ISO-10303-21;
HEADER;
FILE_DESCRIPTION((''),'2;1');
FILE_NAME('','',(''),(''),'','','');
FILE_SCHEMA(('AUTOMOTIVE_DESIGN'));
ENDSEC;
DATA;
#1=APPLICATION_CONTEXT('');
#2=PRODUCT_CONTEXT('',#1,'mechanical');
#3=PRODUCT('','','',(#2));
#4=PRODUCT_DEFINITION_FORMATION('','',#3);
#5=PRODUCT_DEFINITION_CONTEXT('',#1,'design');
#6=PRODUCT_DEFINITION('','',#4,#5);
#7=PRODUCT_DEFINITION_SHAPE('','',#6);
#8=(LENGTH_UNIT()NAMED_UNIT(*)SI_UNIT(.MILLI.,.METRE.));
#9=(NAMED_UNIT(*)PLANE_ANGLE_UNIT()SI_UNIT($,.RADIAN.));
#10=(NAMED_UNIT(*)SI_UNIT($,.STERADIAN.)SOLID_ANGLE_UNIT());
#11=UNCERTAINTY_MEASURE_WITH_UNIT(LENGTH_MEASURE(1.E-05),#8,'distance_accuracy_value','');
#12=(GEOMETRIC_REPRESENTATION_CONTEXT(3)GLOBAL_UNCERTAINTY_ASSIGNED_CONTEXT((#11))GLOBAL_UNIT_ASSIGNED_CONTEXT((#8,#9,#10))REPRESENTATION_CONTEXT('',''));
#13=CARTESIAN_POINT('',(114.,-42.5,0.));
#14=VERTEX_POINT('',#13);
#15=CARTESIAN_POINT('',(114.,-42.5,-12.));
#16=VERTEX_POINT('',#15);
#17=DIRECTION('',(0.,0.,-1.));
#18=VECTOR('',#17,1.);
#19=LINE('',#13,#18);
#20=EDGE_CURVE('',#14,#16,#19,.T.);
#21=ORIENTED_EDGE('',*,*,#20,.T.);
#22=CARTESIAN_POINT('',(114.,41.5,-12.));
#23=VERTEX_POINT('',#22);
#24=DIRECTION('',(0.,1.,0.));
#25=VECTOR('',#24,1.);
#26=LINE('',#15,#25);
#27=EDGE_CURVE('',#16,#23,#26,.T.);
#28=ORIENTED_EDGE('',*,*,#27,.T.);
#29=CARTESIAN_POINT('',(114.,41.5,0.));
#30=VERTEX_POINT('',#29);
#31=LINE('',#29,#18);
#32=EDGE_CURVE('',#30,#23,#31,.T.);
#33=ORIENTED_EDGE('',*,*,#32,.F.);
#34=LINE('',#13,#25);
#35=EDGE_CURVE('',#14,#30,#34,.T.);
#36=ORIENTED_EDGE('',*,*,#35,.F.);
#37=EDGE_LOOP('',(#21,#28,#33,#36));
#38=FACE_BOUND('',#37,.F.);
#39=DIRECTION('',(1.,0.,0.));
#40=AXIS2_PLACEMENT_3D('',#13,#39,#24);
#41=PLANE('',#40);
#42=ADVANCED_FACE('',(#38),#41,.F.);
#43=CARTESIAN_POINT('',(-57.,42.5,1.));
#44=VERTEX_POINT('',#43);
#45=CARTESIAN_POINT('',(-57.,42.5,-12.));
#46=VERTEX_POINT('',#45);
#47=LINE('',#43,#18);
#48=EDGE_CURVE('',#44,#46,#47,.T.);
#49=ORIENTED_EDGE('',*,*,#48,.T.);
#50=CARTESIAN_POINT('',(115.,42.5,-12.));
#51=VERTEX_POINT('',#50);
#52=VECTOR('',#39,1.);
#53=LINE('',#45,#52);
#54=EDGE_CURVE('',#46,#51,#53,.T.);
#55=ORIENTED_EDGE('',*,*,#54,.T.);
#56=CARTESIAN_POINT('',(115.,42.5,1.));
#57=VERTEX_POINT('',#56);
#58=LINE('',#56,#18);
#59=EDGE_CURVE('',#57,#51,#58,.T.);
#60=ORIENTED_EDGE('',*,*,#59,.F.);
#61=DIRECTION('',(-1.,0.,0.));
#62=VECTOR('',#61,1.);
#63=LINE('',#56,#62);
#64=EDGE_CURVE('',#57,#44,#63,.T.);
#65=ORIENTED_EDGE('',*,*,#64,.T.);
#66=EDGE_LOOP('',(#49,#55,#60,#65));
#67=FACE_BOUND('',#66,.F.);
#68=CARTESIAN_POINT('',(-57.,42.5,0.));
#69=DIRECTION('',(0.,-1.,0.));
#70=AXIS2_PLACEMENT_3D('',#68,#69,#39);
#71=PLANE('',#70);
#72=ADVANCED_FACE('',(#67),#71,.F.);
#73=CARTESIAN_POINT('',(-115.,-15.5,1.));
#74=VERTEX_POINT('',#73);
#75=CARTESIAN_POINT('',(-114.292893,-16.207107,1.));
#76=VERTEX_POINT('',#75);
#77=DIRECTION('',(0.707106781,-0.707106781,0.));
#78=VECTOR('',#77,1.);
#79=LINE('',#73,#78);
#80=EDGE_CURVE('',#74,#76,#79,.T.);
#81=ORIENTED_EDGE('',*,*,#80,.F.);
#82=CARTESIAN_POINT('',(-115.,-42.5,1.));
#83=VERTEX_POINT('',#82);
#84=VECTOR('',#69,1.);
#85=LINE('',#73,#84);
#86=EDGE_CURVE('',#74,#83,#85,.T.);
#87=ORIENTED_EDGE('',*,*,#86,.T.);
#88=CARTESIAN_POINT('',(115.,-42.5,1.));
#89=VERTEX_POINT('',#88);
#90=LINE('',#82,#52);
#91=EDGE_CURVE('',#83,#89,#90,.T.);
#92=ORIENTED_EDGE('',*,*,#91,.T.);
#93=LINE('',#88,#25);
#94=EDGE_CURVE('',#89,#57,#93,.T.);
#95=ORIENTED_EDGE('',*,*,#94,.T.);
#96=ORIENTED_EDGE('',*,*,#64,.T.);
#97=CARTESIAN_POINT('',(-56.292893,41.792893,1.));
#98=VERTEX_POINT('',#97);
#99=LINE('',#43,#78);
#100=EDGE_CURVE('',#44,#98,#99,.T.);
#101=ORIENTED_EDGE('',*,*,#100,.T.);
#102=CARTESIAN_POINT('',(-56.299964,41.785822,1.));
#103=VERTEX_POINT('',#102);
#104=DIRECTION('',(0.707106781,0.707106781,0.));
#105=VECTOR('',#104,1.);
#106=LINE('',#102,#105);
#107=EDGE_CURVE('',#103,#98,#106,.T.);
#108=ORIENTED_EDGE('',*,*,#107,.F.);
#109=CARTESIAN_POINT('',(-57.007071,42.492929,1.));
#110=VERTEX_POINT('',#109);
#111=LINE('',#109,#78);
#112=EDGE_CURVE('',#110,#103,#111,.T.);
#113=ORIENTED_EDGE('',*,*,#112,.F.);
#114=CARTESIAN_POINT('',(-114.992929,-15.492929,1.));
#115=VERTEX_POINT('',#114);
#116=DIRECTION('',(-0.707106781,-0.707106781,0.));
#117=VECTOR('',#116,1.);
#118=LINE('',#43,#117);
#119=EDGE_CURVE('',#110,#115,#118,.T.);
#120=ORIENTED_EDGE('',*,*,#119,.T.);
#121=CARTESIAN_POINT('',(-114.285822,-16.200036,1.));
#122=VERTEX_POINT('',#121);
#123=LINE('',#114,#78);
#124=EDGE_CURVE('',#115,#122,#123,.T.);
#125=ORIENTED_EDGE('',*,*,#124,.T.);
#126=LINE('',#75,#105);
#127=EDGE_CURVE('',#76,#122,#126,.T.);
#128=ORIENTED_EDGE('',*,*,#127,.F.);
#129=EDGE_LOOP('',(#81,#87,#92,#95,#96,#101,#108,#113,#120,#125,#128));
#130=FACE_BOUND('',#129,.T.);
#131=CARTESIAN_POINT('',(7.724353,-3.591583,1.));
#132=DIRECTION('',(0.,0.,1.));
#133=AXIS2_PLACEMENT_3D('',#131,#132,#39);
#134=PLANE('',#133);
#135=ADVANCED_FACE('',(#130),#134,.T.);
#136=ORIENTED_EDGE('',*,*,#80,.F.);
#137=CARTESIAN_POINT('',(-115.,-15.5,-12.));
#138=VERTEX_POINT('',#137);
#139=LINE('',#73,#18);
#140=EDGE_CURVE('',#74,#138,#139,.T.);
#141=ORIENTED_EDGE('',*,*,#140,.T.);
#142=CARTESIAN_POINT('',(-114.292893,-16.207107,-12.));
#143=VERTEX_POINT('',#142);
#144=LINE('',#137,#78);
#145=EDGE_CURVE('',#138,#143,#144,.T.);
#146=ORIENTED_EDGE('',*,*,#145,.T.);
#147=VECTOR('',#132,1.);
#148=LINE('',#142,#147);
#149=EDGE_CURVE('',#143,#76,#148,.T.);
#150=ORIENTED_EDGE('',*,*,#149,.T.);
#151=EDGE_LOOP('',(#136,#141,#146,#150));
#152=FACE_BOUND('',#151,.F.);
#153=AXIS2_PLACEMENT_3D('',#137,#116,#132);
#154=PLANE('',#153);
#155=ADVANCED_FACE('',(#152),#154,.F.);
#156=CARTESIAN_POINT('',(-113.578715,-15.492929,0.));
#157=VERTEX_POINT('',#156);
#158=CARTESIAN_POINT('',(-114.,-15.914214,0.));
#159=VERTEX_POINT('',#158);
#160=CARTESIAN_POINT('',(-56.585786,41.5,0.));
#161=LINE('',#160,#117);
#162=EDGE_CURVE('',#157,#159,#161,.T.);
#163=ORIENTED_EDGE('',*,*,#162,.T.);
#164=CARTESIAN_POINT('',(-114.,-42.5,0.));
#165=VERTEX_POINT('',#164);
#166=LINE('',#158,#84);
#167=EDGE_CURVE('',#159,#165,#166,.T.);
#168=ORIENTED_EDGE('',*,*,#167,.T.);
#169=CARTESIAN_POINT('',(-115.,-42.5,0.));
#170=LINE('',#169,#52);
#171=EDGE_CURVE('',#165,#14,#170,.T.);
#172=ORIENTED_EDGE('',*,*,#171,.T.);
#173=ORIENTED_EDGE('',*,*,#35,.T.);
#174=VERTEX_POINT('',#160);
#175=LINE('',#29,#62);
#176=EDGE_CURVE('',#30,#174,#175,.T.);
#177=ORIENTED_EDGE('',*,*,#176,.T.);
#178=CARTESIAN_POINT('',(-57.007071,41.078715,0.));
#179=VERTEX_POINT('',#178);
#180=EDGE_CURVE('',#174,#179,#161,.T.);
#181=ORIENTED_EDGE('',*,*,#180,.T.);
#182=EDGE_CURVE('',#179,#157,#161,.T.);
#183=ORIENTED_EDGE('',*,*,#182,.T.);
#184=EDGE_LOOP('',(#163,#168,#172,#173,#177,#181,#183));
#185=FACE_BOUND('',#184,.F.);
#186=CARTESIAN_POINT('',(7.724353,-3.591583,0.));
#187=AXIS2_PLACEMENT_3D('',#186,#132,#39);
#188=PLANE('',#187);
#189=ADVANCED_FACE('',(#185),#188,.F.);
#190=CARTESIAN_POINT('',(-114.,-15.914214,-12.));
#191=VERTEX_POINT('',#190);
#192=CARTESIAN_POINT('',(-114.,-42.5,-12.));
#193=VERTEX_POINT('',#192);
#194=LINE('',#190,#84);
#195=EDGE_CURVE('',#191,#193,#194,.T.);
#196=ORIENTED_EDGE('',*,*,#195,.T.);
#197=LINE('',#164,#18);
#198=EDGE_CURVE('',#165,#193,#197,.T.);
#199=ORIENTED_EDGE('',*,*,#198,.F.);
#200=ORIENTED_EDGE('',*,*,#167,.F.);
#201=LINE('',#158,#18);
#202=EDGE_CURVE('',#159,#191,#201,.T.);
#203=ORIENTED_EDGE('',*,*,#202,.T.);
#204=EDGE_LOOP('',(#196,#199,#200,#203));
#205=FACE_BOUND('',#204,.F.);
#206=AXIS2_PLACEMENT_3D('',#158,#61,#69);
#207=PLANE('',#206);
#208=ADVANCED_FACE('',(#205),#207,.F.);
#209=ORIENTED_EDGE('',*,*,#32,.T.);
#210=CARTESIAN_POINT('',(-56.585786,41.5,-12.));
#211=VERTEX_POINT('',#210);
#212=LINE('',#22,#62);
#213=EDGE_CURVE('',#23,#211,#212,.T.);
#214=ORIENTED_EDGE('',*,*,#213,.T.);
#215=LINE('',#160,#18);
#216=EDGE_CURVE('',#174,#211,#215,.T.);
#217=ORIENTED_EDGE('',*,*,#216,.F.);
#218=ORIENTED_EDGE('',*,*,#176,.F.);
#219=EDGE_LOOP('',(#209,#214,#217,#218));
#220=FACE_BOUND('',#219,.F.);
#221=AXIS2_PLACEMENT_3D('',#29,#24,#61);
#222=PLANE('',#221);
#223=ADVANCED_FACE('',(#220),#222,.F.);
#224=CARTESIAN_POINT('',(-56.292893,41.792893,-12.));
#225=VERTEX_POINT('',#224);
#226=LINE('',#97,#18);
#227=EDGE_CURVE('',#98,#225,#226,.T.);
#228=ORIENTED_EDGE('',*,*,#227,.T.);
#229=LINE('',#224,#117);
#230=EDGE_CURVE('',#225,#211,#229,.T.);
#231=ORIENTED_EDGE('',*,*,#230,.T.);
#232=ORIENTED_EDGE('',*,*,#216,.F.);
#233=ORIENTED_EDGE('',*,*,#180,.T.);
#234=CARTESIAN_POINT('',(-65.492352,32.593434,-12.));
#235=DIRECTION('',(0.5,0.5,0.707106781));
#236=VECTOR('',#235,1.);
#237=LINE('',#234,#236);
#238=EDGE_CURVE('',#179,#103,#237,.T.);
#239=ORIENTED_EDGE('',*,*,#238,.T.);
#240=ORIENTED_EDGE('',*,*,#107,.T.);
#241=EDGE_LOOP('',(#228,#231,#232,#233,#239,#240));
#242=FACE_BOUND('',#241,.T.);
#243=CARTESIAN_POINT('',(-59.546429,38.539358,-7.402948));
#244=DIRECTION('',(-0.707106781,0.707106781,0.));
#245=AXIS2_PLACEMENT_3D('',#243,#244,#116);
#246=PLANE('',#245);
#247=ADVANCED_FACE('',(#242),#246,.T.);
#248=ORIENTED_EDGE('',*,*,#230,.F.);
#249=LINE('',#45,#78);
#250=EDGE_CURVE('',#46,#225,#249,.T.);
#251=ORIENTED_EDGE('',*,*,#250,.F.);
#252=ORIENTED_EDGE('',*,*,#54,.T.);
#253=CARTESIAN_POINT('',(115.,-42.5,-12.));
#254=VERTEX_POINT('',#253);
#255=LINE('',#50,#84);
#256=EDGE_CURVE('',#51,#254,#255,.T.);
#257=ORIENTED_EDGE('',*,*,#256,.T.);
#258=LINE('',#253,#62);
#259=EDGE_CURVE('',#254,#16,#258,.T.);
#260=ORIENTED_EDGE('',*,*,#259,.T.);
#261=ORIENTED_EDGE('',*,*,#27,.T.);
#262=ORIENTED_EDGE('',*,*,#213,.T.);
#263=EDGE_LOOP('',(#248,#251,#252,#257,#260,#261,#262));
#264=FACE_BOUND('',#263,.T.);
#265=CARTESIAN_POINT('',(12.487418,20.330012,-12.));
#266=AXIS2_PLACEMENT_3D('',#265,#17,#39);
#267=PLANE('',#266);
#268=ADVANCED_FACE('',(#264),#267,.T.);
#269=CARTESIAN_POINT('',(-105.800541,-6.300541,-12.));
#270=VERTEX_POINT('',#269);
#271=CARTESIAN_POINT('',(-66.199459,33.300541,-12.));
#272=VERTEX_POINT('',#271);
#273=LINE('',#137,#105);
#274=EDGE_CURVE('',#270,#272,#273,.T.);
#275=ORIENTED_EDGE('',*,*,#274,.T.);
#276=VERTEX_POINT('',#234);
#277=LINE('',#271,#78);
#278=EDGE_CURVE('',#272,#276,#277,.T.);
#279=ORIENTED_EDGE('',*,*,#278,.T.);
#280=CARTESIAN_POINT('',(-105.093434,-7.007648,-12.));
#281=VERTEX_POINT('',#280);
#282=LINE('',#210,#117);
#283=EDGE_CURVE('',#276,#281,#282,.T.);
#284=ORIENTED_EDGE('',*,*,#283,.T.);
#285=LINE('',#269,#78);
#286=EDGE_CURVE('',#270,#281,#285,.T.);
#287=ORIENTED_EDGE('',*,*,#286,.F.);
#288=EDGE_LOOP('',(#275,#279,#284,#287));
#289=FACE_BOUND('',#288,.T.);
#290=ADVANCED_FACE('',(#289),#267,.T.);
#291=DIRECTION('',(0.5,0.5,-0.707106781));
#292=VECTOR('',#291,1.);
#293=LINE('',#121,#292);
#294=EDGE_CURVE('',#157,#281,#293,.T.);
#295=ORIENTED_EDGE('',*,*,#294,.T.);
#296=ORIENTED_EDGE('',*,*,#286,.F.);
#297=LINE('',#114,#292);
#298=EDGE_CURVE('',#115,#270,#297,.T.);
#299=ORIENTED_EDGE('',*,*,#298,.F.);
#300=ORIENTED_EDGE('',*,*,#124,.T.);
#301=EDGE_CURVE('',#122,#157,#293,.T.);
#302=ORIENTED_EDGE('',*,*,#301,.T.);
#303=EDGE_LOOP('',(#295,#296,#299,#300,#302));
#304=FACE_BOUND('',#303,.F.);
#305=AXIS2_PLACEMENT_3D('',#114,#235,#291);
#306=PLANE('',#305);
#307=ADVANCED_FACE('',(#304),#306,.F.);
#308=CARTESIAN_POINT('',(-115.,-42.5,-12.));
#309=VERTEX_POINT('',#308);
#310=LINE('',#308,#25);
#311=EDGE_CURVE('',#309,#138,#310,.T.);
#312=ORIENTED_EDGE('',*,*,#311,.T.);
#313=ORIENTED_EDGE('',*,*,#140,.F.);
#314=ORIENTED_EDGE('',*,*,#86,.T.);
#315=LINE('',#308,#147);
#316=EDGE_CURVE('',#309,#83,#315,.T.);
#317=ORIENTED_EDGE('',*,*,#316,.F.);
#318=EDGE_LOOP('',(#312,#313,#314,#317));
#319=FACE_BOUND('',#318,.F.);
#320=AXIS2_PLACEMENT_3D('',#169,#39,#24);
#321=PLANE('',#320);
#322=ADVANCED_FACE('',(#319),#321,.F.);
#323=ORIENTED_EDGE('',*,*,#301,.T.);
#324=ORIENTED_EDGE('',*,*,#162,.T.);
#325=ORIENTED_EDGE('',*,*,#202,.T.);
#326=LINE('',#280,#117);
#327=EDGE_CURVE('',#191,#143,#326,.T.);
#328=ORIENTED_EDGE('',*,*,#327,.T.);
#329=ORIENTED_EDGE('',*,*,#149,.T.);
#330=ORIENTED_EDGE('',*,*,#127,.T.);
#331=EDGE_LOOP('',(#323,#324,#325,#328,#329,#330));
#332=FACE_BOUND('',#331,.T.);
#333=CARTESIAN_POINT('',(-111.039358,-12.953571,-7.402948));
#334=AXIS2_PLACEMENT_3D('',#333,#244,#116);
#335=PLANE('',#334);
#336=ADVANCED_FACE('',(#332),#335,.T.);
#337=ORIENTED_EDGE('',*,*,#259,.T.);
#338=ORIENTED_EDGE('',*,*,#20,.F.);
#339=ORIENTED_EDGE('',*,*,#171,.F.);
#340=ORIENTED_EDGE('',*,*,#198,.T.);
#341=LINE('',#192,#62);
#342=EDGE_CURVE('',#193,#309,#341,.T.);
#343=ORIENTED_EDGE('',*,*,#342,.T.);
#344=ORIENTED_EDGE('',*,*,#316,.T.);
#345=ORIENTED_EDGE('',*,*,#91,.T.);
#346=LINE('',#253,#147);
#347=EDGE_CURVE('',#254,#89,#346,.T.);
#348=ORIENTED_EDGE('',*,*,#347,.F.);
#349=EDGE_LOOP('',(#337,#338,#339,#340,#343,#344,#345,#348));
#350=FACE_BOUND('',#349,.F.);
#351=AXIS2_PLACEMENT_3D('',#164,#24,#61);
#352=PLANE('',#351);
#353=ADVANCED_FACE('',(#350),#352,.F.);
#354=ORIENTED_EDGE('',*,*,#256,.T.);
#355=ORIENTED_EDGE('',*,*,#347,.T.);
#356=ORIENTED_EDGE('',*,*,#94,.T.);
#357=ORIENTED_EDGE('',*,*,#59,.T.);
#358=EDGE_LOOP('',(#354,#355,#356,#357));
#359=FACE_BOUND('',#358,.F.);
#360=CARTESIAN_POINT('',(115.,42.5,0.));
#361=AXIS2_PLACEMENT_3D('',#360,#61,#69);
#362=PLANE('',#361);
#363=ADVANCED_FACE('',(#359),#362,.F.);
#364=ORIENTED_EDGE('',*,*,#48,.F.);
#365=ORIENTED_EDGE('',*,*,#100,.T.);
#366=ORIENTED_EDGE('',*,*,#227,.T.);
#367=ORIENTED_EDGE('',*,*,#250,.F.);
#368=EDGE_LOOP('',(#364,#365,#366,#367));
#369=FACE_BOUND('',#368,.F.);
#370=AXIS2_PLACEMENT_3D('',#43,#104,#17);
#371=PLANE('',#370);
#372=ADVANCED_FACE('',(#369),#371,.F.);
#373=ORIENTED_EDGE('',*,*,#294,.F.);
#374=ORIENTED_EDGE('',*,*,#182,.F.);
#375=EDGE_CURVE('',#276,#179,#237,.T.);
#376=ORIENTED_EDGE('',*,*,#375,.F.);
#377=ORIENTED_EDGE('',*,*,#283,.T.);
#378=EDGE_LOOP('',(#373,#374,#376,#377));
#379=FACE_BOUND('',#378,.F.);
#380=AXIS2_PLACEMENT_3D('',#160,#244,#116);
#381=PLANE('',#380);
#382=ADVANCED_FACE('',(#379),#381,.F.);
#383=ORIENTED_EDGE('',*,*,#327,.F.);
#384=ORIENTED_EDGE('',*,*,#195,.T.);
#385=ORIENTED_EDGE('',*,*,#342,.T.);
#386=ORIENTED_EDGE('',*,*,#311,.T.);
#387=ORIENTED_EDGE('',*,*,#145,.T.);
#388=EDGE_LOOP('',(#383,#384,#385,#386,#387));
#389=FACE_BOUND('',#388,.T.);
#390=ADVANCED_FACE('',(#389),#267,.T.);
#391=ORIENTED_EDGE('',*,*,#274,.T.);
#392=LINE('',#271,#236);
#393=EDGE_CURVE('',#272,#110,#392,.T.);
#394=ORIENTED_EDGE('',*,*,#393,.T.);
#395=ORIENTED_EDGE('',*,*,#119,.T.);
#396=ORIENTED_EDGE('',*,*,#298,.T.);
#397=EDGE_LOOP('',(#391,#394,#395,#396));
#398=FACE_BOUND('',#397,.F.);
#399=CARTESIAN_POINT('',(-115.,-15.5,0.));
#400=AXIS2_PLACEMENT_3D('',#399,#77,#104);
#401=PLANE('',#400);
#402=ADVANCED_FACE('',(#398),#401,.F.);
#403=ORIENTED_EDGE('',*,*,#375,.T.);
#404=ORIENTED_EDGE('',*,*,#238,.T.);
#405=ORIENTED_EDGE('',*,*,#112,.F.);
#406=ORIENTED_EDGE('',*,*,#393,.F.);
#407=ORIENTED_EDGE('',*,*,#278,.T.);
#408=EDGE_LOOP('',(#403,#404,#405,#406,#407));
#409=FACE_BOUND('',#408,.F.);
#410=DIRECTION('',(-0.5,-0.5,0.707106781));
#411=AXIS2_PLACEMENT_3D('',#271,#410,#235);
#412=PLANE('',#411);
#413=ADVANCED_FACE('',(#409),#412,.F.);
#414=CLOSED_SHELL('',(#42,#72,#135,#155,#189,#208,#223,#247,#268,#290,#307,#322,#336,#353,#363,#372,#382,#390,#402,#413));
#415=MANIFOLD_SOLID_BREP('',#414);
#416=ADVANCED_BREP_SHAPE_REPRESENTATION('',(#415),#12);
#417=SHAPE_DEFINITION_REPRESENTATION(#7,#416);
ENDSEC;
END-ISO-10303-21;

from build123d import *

# Parameters (mm, degrees)
F1_DEPTH = 1
F3_DEPTH = 12
F5_DEPTH = 1


with BuildPart() as f1:
    # F0 (on Top) → F1 (new body)
    with BuildSketch(Plane.XY):
        Polygon((-115, -42.5), (115, -42.5), (115, 42.5), (-57, 42.5), (-115, -15.5), align=None)
    extrude(amount=F1_DEPTH)

    # F2 (on face) → F3 (join)
    with BuildSketch(Plane(origin=(0, 0, 0), x_dir=(1, 0, 0), z_dir=(0, 0, -1))):
        Polygon((-115, 42.5), (-115, 15.5), (-57, -42.5), (115, -42.5), (115, 42.5), (114, 42.5), (114, -41.5), (-56.5857864376, -41.5), (-114, 15.9142135624), (-114, 42.5), align=None)
    extrude(amount=F3_DEPTH)

    # F4 (on face) → F5 (cut)
    with BuildSketch(Plane(origin=(-49.75, 49.75, 0), x_dir=(-0.7071067812, -0.7071067812, 0), z_dir=(-0.7071067812, 0.7071067812, 0))):
        Polygon((10.2630483272, 1), (10.2530483272, 1), (10.2530483272, -12), (23.2630483272, -12), align=None)
        Polygon((92.2774349448, -12), (92.2774349448, 1), (92.2674349448, 1), (79.2674349448, -12), align=None)
    extrude(amount=-F5_DEPTH, mode=Mode.SUBTRACT)


solid = f1.part
